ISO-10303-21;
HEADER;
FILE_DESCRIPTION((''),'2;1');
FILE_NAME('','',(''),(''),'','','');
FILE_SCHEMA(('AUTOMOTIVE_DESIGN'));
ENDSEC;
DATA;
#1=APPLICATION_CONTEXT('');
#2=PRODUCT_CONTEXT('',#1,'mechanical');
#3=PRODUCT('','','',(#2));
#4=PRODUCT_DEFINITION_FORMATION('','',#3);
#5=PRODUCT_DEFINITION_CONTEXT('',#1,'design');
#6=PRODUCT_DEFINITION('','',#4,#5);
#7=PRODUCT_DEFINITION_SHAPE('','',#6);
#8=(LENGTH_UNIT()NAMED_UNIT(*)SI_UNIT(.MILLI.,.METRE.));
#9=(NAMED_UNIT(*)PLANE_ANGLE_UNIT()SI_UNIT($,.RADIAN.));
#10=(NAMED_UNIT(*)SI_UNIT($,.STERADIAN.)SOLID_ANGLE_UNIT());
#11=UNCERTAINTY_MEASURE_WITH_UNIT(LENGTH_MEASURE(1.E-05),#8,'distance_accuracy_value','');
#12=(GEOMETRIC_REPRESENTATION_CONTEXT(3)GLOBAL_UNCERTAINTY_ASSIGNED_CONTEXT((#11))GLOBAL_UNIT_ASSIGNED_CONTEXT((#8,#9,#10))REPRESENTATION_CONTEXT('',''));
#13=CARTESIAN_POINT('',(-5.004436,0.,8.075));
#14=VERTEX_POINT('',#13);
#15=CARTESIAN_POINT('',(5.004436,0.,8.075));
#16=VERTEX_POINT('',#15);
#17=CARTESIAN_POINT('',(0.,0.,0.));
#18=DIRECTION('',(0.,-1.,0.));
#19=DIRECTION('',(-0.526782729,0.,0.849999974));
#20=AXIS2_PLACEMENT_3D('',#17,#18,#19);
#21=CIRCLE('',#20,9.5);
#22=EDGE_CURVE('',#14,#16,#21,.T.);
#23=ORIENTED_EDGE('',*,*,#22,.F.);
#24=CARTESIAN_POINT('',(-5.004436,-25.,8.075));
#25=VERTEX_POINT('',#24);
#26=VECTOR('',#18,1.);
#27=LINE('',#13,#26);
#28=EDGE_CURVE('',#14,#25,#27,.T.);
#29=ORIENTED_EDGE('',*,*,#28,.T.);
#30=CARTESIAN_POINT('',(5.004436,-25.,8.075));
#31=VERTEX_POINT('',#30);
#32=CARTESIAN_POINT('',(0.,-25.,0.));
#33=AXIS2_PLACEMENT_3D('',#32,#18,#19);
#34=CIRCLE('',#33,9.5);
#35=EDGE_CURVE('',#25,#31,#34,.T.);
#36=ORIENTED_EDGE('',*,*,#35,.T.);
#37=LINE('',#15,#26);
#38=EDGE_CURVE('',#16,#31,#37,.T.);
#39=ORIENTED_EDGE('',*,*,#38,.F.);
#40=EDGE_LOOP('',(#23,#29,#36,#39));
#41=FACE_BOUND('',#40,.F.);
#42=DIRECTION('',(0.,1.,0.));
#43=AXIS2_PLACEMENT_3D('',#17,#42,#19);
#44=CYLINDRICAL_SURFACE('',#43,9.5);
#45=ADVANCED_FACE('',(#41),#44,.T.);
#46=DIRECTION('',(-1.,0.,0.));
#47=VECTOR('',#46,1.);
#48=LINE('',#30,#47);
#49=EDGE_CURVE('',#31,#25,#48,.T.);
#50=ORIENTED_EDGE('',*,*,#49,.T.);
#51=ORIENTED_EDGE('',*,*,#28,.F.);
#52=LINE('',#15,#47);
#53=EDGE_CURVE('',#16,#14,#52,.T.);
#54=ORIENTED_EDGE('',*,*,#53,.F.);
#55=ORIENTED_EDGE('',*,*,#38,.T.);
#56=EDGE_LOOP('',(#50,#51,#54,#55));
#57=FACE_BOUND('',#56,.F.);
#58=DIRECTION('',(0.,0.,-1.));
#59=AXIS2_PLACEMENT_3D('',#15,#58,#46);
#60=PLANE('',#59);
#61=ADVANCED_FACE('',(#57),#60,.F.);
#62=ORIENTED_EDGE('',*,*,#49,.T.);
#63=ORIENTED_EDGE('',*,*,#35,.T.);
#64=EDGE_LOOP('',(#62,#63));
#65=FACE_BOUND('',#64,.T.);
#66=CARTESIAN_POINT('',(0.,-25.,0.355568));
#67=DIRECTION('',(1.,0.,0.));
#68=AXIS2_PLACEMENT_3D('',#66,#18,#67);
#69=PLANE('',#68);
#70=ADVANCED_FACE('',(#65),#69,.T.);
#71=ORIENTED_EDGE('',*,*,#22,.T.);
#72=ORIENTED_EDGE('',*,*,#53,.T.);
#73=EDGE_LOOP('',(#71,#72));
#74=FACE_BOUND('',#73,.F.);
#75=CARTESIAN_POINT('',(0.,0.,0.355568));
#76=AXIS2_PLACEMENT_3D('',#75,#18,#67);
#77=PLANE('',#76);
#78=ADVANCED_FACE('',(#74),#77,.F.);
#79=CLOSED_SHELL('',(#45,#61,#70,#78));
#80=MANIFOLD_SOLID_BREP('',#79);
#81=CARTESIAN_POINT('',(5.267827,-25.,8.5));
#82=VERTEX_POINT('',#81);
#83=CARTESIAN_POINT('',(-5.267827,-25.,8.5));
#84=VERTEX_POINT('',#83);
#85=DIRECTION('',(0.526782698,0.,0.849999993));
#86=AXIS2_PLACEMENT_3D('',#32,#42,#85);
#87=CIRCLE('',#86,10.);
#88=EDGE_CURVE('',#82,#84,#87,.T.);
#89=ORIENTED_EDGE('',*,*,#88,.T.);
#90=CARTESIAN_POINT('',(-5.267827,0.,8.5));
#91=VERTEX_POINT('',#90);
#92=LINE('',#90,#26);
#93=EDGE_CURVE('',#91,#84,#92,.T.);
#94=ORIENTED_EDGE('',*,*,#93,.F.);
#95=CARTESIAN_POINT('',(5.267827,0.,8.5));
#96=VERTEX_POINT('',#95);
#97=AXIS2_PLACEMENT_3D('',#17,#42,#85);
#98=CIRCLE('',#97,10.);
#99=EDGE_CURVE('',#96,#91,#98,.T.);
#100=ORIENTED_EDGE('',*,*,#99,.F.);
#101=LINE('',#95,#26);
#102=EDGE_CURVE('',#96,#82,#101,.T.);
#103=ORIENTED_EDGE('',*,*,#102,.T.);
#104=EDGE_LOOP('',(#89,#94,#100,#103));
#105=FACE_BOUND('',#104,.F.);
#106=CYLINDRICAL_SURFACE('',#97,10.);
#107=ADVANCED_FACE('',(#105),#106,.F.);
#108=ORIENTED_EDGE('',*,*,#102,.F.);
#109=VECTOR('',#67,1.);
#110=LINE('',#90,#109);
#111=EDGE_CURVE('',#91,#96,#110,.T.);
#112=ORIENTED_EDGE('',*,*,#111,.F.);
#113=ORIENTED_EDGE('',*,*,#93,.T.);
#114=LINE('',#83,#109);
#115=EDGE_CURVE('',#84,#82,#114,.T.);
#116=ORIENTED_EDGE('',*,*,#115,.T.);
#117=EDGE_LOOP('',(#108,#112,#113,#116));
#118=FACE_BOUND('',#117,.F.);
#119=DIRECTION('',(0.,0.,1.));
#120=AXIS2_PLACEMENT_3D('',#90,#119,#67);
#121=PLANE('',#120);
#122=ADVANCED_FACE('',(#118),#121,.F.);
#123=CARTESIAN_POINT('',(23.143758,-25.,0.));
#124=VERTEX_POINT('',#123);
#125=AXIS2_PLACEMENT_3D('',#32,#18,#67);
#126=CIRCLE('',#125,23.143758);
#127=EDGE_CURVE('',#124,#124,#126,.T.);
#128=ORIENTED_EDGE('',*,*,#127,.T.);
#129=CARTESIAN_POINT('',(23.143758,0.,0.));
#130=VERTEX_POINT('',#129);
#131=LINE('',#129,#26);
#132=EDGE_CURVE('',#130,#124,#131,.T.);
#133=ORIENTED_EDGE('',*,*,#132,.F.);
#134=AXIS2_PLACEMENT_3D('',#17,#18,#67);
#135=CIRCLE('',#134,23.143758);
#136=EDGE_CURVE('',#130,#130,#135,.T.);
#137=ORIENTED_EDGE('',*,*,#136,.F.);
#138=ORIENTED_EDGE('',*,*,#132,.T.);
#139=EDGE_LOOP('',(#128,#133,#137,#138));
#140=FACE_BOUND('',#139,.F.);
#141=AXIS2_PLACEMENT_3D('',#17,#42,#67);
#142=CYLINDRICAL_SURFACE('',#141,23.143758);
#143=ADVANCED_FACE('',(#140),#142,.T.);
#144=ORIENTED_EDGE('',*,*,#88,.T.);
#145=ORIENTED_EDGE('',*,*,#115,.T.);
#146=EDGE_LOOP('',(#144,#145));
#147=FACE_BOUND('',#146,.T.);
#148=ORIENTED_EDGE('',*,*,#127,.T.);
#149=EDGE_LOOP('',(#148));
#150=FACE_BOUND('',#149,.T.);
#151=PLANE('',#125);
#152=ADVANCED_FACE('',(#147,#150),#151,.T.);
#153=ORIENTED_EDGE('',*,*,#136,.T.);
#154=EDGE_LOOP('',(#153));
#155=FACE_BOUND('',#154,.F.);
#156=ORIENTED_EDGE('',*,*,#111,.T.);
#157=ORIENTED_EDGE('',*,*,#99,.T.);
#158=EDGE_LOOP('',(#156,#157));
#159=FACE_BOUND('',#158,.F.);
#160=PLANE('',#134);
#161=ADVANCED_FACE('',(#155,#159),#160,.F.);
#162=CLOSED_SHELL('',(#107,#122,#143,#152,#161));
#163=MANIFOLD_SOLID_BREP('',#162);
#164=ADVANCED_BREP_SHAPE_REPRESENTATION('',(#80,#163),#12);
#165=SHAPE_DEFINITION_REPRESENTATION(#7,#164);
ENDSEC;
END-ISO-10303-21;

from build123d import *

# Parameters (mm, degrees)
F0_R     = 23.143758
F1_DEPTH = 25
F3_DEPTH = 25


with BuildPart() as f1:
    # F0 (on Front) → F1 (new body)
    with BuildSketch(Plane.XZ):
        Circle(F0_R)
        with BuildLine():
            ThreePointArc((5.267827, 8.5), (0, -10), (-5.267827, 8.5))
            Line((-5.267827, 8.5), (5.267827, 8.5))
        make_face(mode=Mode.SUBTRACT)
    extrude(amount=F1_DEPTH)


with BuildPart() as f3:
    # F2 (on Front) → F3 (new body)
    with BuildSketch(Plane.XZ):
        with BuildLine():
            Line((5.004436, 8.075), (-5.004436, 8.075))
            ThreePointArc((-5.004436, 8.075), (0, -9.5), (5.004436, 8.075))
        make_face()
    extrude(amount=F3_DEPTH)


solid = Compound([f1.part, f3.part])
